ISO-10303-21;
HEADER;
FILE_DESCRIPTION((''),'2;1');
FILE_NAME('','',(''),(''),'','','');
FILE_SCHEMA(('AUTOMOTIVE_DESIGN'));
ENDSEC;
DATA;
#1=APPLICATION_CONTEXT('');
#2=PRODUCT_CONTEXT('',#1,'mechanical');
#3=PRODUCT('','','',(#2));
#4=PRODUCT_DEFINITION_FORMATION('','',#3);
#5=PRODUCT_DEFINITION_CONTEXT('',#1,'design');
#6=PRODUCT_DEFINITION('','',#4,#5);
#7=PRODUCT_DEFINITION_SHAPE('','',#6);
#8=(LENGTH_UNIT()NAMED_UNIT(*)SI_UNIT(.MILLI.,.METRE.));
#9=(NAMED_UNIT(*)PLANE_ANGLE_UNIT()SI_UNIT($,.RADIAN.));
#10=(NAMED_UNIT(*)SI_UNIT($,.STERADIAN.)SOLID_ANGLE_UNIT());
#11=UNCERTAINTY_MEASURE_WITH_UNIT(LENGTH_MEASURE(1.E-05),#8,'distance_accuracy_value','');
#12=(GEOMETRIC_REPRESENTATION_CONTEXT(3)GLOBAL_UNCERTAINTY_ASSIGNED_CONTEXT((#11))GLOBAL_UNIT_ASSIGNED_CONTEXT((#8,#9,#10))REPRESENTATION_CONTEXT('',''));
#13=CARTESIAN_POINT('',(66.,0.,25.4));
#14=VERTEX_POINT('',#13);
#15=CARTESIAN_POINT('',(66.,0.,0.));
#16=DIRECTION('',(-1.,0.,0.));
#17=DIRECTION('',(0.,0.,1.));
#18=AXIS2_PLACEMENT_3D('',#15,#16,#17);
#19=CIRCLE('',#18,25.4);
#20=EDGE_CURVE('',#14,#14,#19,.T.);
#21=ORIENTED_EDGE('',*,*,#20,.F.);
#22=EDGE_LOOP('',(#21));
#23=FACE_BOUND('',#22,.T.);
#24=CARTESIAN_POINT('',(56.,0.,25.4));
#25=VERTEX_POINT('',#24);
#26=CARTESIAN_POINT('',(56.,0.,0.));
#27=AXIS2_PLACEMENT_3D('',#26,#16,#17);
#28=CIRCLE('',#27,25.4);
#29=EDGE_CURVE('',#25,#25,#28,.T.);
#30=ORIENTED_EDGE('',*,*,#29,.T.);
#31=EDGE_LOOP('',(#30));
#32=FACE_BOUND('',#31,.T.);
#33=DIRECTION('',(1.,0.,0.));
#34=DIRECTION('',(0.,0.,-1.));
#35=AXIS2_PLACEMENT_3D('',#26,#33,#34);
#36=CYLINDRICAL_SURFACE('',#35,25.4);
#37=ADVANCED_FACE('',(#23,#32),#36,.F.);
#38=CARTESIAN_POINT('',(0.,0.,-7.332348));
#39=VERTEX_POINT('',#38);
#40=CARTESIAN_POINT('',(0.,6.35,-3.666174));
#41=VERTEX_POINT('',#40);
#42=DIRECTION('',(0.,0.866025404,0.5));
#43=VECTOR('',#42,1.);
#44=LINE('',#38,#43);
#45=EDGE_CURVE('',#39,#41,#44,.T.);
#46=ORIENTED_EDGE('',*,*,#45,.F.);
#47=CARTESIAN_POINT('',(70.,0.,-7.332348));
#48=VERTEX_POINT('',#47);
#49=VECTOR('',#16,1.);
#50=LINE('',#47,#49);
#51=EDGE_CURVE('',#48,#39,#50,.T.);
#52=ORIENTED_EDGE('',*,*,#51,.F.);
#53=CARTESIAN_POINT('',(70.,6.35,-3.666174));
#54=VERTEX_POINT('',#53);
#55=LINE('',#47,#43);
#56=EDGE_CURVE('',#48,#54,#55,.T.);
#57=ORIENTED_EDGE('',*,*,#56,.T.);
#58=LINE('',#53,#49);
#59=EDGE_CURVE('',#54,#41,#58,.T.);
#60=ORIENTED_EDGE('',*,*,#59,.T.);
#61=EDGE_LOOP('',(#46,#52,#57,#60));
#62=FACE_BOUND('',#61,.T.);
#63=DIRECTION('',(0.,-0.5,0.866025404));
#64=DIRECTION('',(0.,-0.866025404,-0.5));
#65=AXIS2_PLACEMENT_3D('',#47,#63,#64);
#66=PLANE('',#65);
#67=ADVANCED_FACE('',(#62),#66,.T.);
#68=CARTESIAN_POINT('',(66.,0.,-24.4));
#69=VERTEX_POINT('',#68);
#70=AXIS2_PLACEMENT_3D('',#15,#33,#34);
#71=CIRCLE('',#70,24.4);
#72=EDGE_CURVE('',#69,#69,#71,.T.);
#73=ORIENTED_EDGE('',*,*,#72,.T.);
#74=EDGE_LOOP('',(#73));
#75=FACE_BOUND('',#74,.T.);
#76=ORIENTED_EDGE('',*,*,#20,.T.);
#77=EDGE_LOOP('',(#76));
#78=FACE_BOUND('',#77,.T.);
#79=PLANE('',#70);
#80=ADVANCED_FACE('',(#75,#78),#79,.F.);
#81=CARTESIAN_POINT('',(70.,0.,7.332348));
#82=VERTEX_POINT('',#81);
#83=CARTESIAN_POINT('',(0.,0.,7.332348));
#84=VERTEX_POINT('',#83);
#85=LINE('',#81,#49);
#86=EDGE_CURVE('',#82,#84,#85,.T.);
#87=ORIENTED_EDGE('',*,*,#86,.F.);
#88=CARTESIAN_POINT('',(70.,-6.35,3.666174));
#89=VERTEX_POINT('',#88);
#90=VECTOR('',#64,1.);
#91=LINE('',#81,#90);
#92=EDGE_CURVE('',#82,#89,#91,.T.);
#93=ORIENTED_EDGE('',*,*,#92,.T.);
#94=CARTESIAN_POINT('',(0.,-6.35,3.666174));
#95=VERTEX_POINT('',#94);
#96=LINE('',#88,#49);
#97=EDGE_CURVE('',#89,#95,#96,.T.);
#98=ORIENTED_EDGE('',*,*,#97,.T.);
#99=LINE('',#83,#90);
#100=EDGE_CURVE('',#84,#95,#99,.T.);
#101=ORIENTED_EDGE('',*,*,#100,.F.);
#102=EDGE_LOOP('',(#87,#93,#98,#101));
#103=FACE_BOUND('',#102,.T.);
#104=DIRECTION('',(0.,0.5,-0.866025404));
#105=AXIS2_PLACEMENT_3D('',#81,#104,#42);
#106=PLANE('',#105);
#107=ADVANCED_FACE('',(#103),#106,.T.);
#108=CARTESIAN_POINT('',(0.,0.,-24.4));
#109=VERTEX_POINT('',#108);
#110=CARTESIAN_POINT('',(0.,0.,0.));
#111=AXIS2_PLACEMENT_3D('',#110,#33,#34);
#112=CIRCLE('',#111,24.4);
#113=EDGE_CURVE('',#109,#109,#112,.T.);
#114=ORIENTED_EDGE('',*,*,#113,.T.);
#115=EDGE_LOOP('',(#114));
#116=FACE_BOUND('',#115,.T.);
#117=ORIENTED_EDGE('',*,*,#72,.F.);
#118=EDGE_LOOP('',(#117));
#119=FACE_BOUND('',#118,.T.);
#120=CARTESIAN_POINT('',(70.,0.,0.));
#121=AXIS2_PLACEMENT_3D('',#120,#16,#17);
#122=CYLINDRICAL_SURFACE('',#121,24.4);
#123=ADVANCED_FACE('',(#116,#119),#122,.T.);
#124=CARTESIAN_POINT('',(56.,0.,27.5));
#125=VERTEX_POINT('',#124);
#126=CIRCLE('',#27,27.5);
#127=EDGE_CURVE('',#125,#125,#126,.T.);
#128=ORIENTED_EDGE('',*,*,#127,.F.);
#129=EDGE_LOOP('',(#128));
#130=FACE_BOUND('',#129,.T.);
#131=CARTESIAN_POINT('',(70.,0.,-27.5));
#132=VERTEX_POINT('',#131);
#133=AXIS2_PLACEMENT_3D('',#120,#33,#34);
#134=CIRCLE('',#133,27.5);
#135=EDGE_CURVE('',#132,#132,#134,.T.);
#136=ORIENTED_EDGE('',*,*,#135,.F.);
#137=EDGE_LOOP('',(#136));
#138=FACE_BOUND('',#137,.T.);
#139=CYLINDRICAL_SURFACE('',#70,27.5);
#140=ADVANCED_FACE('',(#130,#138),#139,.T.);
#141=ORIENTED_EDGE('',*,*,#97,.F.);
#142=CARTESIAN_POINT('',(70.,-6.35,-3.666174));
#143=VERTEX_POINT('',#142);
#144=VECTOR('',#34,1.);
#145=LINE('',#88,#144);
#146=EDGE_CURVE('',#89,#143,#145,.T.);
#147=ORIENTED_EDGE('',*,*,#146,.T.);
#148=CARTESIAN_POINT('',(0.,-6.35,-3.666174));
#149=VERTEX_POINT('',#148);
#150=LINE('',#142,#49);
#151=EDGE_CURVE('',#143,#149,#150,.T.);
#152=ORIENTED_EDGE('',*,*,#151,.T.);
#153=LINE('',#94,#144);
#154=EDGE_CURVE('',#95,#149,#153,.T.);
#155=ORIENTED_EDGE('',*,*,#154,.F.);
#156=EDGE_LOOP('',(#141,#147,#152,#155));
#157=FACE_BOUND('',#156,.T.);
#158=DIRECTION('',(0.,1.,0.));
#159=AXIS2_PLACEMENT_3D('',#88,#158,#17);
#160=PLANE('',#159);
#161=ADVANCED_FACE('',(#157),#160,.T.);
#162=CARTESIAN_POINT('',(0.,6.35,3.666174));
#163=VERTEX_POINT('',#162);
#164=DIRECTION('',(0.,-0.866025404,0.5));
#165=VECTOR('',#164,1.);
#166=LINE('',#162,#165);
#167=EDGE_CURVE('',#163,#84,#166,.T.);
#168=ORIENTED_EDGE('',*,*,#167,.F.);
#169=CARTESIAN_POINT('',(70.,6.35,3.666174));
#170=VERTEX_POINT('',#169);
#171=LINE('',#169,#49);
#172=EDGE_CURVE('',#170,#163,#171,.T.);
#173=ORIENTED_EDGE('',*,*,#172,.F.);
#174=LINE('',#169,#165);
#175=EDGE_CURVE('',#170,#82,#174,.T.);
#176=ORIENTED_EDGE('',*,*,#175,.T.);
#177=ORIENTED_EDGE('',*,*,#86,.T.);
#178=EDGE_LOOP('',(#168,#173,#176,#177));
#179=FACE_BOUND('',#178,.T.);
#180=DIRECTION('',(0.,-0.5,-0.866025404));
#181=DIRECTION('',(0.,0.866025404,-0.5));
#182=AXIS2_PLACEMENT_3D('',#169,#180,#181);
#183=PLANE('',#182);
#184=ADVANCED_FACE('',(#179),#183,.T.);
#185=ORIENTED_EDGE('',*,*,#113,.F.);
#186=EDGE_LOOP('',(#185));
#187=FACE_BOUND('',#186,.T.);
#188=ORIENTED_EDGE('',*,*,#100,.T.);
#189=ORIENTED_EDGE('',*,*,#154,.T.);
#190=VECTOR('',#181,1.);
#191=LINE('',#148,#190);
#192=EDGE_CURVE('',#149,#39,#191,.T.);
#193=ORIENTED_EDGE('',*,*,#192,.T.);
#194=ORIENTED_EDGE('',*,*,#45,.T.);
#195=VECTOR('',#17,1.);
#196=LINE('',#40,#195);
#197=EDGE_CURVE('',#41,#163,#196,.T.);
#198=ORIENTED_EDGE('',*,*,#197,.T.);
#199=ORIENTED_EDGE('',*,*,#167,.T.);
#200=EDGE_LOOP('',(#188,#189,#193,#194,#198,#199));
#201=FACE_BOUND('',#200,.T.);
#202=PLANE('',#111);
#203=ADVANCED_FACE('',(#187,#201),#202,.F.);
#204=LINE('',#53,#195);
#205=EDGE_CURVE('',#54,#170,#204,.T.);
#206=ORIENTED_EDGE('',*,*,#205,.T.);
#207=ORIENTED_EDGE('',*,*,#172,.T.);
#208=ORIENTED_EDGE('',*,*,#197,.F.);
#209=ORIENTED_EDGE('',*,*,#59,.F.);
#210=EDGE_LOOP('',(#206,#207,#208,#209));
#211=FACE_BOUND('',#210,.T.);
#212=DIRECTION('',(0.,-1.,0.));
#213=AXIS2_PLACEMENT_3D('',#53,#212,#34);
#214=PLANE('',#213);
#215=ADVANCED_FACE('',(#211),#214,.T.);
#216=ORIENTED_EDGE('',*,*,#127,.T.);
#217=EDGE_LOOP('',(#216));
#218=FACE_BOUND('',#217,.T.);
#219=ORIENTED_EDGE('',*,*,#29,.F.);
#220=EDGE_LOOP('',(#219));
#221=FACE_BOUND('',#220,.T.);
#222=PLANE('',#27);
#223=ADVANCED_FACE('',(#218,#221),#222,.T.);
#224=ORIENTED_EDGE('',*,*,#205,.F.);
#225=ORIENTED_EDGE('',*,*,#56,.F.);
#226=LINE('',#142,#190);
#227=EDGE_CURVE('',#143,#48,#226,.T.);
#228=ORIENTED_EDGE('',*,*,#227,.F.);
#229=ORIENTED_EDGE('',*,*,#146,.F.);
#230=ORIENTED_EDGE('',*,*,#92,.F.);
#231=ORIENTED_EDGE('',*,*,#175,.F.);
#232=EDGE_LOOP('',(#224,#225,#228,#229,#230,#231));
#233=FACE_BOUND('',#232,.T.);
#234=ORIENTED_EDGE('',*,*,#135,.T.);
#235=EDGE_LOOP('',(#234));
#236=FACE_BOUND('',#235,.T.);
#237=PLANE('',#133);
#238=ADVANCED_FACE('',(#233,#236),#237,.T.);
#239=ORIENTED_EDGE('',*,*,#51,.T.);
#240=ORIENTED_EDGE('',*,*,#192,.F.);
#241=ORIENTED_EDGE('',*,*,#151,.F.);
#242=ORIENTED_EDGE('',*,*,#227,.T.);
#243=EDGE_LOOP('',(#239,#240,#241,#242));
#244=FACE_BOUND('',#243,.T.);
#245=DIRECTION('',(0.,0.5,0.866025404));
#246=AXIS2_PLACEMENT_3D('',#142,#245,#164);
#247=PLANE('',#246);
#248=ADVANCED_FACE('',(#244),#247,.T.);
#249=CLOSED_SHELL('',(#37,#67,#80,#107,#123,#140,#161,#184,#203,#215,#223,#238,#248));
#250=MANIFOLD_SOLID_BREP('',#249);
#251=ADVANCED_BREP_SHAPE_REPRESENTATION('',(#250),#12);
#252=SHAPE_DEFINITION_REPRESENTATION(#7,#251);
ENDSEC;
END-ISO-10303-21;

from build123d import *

# Parameters (mm, degrees)
CROQUIS1_R              = 24.4
SALIENTE_EXTRUIR1_DEPTH = 70
SALIENTE_EXTRUIR2_START = -4
CROQUIS2_R              = 27.5
CROQUIS2_R_2            = 24.4
SALIENTE_EXTRUIR2_DEPTH = 4
SALIENTE_EXTRUIR3_START = 10
CROQUIS3_R              = 27.5
CROQUIS3_R_2            = 25.4
SALIENTE_EXTRUIR3_DEPTH = 10


with BuildPart() as part:
    # Croquis1 → Saliente-Extruir1 (new body)
    with BuildSketch(Plane(origin=(0, 0, 0), x_dir=(0, 0, -1), z_dir=(1, 0, 0))):
        Circle(CROQUIS1_R)
        Polygon((7.332348419, 0), (3.666174209, 6.35), (-3.666174209, 6.35), (-7.332348419, 0), (-3.666174209, -6.35), (3.666174209, -6.35), align=None, mode=Mode.SUBTRACT)
    extrude(amount=SALIENTE_EXTRUIR1_DEPTH)

    # Croquis2 → Saliente-Extruir2 (add)
    with BuildSketch(Plane(origin=(70, 0, 0), x_dir=(0, 0, -1), z_dir=(1, 0, 0)).offset(SALIENTE_EXTRUIR2_START)):
        Circle(CROQUIS2_R)
        Circle(CROQUIS2_R_2, mode=Mode.SUBTRACT)
    extrude(amount=SALIENTE_EXTRUIR2_DEPTH)

    # Croquis3 → Saliente-Extruir3 (add)
    with BuildSketch(Plane.ZY.offset(-66).offset(SALIENTE_EXTRUIR3_START)):
        with Locations(Location((0, 0, 0), (0, 0, 180))):
            Circle(CROQUIS3_R)
        Circle(CROQUIS3_R_2, mode=Mode.SUBTRACT)
    extrude(amount=-SALIENTE_EXTRUIR3_DEPTH)


solid = part.part
